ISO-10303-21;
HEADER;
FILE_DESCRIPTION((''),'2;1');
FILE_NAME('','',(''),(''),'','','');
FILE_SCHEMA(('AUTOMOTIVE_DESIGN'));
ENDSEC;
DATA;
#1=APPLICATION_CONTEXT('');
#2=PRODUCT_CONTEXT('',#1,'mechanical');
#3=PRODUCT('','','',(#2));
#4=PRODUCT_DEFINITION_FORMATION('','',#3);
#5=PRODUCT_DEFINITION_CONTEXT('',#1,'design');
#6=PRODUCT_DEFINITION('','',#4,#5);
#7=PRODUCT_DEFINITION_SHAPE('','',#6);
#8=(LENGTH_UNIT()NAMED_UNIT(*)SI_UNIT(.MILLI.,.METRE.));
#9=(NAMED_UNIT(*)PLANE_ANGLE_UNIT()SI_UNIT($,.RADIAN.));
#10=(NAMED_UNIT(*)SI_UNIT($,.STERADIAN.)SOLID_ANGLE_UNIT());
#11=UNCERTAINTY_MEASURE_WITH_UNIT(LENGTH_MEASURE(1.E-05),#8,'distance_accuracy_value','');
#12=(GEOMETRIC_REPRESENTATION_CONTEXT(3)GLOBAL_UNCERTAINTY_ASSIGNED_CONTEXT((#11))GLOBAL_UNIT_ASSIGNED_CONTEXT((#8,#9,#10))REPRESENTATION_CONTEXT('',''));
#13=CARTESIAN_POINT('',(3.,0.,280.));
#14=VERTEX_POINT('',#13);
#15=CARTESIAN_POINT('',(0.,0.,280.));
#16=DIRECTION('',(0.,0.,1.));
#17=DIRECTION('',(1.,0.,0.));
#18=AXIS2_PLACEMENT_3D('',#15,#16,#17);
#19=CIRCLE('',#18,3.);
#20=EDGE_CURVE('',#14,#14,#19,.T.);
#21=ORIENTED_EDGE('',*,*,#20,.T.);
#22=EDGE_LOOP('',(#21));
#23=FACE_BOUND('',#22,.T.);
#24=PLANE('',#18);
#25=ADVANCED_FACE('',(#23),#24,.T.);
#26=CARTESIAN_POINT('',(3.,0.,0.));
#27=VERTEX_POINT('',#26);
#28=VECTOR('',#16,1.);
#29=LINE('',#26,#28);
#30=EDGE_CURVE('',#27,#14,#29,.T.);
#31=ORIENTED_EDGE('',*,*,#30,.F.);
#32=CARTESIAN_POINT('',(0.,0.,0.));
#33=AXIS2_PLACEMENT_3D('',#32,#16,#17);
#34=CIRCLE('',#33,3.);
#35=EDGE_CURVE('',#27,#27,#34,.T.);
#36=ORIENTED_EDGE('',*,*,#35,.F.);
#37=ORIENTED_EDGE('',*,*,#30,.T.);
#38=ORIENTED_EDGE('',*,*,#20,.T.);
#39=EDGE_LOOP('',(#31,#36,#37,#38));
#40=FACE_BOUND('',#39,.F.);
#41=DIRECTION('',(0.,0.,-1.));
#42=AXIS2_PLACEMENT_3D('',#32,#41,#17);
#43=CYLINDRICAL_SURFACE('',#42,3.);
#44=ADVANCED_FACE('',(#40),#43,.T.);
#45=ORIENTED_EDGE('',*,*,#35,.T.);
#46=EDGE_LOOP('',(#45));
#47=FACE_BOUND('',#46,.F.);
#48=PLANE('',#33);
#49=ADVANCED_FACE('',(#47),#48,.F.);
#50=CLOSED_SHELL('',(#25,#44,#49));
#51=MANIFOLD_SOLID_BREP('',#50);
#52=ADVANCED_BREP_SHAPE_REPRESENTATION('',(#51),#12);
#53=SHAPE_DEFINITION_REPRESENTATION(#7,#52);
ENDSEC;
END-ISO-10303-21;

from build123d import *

# Parameters (mm, degrees)
SKETCH_1_R      = 3
EXTRUDE_1_DEPTH = 280


with BuildPart() as part:
    # 草图1 → 凸台-拉伸1 (new body)
    with BuildSketch(Plane.XY):
        Circle(SKETCH_1_R)
    extrude(amount=EXTRUDE_1_DEPTH)


solid = part.part
